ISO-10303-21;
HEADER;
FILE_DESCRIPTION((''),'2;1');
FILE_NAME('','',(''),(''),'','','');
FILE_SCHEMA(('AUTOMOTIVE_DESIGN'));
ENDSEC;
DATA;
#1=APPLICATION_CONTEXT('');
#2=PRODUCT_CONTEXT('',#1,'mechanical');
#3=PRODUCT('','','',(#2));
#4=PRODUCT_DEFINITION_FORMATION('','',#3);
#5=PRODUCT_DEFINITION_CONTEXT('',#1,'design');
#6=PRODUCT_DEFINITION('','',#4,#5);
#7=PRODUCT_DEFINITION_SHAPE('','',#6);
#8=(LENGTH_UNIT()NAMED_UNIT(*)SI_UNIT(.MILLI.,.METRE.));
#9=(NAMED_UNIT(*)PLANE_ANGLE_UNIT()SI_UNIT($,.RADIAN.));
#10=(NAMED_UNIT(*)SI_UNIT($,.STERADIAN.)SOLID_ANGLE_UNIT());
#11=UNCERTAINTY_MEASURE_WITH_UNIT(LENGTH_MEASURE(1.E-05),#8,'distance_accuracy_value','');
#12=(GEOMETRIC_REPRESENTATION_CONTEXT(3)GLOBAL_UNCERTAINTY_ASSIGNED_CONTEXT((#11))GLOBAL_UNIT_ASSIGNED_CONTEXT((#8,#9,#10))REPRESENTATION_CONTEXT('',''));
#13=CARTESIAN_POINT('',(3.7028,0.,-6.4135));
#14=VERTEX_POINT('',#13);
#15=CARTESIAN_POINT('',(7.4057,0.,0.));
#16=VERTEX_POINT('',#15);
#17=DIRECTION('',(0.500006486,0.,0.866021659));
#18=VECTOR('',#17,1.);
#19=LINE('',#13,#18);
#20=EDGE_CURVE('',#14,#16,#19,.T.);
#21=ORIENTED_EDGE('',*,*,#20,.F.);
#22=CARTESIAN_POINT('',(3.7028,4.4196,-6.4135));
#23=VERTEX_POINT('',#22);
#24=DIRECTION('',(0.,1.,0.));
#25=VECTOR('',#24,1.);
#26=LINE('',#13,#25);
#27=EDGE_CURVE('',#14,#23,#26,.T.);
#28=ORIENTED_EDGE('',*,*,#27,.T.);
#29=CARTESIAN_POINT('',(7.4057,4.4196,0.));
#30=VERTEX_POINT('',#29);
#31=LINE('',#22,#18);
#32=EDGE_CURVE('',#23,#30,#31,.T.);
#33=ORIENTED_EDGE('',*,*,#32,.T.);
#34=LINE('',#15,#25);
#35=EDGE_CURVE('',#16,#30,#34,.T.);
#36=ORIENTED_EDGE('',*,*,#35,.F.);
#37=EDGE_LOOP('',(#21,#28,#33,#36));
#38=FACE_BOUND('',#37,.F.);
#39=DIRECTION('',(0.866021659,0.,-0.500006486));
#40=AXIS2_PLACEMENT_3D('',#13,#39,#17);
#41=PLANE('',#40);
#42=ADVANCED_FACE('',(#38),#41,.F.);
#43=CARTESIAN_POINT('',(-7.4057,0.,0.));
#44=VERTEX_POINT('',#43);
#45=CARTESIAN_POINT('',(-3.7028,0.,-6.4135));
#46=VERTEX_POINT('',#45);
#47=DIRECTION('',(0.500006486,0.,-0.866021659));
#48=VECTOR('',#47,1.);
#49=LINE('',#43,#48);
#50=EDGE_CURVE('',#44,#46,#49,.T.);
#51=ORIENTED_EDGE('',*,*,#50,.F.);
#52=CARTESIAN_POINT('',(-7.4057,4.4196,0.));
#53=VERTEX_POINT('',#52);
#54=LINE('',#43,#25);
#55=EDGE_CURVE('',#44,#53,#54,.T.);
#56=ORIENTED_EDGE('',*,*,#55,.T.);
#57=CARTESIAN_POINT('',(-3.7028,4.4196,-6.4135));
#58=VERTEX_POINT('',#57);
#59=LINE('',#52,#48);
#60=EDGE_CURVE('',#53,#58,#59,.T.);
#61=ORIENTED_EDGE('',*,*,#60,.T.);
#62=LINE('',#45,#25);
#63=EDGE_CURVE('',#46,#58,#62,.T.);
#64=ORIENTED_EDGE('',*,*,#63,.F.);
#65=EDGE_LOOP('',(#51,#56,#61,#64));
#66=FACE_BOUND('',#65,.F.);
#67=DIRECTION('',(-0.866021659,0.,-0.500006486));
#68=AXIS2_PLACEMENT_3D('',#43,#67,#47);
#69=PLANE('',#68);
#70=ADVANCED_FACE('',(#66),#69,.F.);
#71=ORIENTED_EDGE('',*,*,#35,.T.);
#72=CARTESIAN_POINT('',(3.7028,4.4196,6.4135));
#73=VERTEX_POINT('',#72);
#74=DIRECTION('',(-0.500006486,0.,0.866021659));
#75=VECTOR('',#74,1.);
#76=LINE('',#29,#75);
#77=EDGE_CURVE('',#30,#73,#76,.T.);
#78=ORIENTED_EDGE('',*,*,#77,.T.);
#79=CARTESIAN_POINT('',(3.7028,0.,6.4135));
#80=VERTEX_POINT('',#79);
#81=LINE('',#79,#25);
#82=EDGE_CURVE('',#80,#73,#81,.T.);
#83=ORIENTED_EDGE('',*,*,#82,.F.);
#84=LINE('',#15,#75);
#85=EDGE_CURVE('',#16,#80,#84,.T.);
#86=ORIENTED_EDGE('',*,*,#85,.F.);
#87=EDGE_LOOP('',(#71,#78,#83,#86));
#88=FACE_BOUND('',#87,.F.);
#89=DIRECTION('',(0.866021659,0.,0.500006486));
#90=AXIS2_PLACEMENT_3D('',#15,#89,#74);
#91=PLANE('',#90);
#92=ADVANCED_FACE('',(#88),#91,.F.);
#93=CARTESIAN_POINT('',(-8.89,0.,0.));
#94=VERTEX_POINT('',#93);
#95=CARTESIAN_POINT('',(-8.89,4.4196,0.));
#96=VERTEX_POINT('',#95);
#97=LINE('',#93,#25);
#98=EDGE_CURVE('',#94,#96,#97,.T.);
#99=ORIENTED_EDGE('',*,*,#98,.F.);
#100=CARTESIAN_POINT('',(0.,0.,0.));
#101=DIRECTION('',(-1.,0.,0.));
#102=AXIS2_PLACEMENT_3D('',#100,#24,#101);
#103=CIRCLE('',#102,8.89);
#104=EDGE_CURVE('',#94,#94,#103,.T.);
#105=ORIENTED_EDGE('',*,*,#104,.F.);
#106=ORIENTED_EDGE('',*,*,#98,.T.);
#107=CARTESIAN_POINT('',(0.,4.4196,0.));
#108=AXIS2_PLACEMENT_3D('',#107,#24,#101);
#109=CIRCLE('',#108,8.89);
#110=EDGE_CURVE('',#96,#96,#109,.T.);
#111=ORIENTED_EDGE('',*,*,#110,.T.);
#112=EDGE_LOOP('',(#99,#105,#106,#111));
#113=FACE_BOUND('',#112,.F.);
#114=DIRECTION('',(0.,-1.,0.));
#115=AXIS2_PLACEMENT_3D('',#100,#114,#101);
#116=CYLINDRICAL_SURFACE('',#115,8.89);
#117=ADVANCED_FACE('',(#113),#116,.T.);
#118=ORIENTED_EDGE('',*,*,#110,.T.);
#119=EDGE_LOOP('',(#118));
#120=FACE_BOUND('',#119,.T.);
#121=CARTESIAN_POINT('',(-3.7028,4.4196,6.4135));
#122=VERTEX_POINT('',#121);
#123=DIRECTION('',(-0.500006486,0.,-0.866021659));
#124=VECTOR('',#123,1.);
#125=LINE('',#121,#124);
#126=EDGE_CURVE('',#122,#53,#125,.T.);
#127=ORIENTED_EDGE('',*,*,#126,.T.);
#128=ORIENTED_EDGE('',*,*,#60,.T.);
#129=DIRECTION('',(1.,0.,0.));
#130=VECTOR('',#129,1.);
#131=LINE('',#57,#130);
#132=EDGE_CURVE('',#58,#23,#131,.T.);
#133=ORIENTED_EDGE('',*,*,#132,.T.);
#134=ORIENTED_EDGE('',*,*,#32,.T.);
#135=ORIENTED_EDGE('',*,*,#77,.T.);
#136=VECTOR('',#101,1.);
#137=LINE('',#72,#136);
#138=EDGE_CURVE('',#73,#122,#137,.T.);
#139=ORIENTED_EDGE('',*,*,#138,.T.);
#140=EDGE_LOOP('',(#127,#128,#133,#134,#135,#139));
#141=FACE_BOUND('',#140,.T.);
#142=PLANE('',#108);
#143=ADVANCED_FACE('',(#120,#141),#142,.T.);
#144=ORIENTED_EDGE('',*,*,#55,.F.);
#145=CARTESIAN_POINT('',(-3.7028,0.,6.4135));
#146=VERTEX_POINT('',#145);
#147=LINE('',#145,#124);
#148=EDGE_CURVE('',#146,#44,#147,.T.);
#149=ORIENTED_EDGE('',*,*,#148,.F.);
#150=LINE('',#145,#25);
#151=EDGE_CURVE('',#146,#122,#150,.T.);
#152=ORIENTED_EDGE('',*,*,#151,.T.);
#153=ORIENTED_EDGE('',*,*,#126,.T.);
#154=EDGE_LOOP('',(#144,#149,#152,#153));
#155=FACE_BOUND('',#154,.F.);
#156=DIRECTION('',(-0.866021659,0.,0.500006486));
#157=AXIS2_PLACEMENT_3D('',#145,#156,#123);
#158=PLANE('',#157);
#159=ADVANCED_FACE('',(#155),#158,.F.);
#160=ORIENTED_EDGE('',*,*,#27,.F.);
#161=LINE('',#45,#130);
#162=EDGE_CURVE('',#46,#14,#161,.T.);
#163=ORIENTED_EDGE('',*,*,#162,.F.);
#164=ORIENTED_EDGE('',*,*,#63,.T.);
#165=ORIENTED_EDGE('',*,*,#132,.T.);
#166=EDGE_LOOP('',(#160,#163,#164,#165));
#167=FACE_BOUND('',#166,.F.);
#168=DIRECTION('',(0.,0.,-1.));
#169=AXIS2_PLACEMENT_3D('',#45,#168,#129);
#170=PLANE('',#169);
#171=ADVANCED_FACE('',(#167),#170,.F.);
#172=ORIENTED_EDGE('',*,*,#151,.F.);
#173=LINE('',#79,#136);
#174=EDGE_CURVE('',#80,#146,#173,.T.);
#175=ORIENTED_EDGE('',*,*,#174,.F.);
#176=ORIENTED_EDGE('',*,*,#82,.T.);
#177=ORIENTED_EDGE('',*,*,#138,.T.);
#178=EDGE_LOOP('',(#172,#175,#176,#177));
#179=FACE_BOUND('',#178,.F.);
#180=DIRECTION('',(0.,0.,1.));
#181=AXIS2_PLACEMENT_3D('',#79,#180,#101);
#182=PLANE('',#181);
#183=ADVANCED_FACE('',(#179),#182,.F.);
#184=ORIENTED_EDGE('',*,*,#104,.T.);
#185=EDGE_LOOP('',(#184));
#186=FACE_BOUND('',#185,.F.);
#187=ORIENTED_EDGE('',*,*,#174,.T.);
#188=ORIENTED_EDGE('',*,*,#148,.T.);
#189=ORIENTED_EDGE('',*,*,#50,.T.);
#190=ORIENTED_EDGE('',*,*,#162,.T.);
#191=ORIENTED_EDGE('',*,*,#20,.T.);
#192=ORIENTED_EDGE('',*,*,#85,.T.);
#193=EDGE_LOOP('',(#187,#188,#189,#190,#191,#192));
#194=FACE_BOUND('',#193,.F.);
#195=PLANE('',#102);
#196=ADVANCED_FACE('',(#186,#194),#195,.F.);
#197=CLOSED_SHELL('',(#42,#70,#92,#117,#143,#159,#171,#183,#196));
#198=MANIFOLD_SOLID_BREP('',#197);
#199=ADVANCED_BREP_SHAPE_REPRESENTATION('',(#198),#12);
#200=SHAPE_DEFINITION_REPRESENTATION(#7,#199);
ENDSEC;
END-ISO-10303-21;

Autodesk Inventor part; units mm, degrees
ref_plane "YZ Plane" through (0, 0, 0) normal (1, 0, 0) x (0, 1, 0)
ref_plane "XZ Plane" through (0, 0, 0) normal (0, 1, 0) x (-1, 0, 0)
ref_plane "XY Plane" through (0, 0, 0) normal (0, 0, 1) x (1, 0, 0)
sketch "Sketch1" plane through (0, 0, 0) normal (0, 1, 0) x (-1, 0, 0)
  circle A0 centre (0, 0) radius 8.89
  line L0 (7.4057, 0) -> (3.7028, -6.4135)
  line L1 (3.7028, -6.4135) -> (-3.7028, -6.4135)
  line L2 (-3.7028, -6.4135) -> (-7.4057, 0)
  line L3 (-7.4057, 0) -> (-3.7028, 6.4135)
  line L4 (-3.7028, 6.4135) -> (3.7028, 6.4135)
  line L5 (3.7028, 6.4135) -> (7.4057, 0)
  dimension "d0" = 17.78
  dimension "d1" = 12.827
extrude "Extrusion1" add sketch "Sketch1" along normal blind 4.4196
properties part number "INDX_024_IttySpacer" material "ABS Plastic"
